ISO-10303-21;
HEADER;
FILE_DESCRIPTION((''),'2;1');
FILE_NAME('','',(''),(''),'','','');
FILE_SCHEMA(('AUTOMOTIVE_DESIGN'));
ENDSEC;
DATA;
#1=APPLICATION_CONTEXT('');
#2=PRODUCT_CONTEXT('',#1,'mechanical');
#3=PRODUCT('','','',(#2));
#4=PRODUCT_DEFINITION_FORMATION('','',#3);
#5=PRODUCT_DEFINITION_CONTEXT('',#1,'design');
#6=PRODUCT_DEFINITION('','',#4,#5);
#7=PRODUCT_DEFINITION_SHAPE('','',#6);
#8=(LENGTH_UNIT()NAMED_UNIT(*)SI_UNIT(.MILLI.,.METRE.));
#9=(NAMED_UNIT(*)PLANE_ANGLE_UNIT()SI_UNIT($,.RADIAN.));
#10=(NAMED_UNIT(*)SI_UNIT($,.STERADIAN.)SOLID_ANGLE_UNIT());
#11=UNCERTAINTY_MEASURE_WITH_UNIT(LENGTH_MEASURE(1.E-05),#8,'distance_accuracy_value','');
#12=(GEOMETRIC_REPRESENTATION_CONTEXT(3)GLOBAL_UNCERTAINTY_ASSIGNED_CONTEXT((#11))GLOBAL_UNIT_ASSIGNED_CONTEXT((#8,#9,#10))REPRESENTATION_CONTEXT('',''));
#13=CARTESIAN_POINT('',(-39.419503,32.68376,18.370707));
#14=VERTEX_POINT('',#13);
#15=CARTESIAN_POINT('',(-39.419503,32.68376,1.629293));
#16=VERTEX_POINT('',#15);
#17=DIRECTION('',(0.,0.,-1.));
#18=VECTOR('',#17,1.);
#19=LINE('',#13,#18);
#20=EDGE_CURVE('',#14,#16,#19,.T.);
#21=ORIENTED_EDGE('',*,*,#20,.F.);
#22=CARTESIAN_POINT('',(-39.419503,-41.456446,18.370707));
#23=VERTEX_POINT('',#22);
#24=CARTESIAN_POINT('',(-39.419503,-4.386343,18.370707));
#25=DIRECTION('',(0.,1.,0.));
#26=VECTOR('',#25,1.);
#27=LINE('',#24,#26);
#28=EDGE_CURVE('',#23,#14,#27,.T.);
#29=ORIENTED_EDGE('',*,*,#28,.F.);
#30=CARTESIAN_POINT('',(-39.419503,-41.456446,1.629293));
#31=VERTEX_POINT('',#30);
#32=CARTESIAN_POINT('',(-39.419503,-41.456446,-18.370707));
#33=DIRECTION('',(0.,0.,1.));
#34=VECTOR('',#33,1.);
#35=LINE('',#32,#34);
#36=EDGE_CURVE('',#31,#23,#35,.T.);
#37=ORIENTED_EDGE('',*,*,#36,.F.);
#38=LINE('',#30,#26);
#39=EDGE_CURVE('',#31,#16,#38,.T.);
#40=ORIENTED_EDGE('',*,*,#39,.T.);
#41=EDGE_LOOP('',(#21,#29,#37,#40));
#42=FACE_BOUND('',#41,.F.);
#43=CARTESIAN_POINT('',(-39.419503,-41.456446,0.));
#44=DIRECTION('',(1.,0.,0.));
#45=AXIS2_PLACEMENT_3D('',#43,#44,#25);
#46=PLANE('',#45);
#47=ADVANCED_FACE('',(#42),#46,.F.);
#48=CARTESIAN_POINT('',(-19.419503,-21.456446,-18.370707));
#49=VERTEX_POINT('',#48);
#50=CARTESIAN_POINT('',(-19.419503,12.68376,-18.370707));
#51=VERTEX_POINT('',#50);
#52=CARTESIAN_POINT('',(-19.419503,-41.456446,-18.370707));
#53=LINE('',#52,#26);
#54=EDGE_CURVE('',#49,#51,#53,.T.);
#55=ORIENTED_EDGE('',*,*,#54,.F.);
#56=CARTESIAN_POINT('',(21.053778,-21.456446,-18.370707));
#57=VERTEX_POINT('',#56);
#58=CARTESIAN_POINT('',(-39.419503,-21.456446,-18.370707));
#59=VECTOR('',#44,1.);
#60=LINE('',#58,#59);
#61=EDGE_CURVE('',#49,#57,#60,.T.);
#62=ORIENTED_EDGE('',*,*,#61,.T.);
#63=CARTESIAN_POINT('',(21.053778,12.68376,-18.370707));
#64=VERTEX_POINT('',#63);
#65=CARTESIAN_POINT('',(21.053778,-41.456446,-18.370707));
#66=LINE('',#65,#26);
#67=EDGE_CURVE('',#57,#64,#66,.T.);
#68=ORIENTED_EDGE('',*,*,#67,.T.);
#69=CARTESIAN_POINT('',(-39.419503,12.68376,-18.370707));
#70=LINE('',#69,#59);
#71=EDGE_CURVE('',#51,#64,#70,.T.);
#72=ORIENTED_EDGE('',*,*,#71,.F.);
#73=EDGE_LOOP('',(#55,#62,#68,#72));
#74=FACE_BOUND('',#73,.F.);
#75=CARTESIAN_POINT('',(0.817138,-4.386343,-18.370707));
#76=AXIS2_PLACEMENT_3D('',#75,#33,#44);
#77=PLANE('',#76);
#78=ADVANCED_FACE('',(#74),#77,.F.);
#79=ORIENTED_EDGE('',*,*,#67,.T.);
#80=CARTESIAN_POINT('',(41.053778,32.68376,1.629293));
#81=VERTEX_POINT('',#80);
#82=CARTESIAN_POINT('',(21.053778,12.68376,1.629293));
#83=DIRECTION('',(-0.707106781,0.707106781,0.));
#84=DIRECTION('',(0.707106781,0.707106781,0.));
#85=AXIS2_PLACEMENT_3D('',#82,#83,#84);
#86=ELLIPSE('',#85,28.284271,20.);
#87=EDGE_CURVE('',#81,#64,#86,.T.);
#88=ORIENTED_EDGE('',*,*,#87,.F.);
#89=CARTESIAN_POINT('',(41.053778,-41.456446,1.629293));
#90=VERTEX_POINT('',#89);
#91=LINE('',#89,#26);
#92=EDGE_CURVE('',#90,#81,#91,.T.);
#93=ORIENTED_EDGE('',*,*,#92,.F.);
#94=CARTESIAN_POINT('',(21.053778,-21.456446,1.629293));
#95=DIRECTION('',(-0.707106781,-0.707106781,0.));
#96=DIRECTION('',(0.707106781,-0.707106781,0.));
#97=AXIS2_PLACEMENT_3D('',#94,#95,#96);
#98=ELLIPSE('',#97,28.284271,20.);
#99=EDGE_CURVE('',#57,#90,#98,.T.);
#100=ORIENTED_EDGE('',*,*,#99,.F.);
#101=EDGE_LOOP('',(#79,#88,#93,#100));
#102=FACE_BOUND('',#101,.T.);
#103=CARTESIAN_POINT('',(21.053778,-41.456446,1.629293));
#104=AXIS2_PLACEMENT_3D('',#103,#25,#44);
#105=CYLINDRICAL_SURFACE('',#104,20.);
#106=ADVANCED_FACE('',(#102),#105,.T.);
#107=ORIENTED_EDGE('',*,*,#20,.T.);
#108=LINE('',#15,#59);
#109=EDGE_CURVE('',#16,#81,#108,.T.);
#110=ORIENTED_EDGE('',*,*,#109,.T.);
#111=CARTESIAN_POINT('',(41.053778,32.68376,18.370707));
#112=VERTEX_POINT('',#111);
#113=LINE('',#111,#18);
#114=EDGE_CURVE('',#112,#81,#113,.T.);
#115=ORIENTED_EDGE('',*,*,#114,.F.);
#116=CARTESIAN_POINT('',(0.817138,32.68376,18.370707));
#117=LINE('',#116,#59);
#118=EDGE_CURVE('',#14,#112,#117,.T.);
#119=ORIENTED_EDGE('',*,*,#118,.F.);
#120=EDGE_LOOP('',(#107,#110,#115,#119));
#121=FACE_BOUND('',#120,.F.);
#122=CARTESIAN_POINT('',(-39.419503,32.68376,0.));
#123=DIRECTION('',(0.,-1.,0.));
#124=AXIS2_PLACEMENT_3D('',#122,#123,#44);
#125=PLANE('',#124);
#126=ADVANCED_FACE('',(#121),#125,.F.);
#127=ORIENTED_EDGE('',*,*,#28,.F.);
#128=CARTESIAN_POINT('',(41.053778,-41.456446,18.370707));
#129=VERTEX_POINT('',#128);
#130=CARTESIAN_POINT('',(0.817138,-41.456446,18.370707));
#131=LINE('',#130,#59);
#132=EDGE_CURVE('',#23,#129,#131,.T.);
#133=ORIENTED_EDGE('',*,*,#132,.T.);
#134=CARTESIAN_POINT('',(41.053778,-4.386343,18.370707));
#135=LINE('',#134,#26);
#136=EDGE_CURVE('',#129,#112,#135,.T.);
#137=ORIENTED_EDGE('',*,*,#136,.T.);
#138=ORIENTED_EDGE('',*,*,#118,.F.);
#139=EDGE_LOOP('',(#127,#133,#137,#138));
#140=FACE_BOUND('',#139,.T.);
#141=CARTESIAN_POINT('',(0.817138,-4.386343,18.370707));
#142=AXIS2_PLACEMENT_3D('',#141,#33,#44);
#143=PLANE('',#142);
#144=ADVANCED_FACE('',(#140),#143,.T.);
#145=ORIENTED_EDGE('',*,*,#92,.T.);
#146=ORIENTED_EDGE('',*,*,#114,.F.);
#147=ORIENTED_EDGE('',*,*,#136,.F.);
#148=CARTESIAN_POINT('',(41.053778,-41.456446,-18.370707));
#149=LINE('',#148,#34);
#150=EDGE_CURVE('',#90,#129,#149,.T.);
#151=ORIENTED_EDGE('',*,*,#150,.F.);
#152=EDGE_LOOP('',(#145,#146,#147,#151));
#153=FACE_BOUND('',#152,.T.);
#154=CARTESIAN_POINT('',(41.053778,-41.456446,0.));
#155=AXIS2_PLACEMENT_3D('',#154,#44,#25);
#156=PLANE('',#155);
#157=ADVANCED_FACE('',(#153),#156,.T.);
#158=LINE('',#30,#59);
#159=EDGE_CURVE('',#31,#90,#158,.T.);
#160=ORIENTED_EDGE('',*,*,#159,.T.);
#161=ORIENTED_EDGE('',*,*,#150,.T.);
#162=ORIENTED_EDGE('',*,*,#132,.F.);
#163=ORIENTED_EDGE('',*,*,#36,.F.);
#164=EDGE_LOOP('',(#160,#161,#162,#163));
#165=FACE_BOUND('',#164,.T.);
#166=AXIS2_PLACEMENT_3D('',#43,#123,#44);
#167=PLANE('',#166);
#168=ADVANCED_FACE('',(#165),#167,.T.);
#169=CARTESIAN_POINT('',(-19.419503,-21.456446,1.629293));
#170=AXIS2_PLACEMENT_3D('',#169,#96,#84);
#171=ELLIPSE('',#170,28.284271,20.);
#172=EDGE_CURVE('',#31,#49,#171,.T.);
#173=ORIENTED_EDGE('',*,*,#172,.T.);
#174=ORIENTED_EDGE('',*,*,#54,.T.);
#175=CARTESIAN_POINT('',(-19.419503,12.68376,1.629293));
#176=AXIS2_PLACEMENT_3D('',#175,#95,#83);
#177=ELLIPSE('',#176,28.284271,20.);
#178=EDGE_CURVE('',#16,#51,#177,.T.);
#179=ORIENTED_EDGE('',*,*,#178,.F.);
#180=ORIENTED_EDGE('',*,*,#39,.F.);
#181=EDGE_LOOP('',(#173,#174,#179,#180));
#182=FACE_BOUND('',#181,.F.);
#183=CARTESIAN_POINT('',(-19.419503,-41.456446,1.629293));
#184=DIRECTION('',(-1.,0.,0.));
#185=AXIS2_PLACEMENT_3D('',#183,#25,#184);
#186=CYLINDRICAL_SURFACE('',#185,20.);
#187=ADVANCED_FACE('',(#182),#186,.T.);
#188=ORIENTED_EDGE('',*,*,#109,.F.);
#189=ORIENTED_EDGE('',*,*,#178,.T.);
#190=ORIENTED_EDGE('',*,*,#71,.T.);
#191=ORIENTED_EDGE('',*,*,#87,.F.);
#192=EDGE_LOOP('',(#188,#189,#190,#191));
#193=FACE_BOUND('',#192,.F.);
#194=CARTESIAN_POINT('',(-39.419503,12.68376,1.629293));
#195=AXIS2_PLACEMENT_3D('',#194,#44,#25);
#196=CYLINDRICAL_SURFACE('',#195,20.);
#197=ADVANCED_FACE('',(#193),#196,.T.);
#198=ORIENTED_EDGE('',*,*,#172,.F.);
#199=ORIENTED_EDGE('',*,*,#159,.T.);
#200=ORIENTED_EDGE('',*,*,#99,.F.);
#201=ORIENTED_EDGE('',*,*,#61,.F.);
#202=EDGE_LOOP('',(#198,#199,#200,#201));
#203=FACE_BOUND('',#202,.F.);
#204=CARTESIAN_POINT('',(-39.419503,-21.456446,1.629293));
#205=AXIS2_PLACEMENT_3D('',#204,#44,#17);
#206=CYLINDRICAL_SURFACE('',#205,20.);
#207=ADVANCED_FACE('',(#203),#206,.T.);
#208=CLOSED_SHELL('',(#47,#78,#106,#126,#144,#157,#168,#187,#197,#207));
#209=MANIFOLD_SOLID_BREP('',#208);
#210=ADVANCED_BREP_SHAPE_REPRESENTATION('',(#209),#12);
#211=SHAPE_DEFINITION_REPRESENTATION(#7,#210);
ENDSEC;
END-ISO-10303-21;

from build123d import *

# Parameters (mm, degrees)
F0_W     = 80.473281
F0_H     = 74.140206
F1_DEPTH = 18.370707
F2_R     = 20


with BuildPart() as f1:
    # F0 (on Top) → F1 (new body, symmetric)
    with BuildSketch(Plane.XY):
        with Locations((0.817138, -4.386343)):
            Rectangle(F0_W, F0_H)
    extrude(amount=F1_DEPTH, both=True)

    # F2
    f2_edges = [f1.edges().sort_by_distance(p)[0] for p in [
        (-39.419502, -4.386343, -18.370707),
        (0.817139, 32.68376, -18.370707),
        (0.817139, -41.456446, -18.370707),
        (41.053779, -4.386343, -18.370707),
    ]]
    fillet(f2_edges, radius=F2_R)


solid = f1.part
